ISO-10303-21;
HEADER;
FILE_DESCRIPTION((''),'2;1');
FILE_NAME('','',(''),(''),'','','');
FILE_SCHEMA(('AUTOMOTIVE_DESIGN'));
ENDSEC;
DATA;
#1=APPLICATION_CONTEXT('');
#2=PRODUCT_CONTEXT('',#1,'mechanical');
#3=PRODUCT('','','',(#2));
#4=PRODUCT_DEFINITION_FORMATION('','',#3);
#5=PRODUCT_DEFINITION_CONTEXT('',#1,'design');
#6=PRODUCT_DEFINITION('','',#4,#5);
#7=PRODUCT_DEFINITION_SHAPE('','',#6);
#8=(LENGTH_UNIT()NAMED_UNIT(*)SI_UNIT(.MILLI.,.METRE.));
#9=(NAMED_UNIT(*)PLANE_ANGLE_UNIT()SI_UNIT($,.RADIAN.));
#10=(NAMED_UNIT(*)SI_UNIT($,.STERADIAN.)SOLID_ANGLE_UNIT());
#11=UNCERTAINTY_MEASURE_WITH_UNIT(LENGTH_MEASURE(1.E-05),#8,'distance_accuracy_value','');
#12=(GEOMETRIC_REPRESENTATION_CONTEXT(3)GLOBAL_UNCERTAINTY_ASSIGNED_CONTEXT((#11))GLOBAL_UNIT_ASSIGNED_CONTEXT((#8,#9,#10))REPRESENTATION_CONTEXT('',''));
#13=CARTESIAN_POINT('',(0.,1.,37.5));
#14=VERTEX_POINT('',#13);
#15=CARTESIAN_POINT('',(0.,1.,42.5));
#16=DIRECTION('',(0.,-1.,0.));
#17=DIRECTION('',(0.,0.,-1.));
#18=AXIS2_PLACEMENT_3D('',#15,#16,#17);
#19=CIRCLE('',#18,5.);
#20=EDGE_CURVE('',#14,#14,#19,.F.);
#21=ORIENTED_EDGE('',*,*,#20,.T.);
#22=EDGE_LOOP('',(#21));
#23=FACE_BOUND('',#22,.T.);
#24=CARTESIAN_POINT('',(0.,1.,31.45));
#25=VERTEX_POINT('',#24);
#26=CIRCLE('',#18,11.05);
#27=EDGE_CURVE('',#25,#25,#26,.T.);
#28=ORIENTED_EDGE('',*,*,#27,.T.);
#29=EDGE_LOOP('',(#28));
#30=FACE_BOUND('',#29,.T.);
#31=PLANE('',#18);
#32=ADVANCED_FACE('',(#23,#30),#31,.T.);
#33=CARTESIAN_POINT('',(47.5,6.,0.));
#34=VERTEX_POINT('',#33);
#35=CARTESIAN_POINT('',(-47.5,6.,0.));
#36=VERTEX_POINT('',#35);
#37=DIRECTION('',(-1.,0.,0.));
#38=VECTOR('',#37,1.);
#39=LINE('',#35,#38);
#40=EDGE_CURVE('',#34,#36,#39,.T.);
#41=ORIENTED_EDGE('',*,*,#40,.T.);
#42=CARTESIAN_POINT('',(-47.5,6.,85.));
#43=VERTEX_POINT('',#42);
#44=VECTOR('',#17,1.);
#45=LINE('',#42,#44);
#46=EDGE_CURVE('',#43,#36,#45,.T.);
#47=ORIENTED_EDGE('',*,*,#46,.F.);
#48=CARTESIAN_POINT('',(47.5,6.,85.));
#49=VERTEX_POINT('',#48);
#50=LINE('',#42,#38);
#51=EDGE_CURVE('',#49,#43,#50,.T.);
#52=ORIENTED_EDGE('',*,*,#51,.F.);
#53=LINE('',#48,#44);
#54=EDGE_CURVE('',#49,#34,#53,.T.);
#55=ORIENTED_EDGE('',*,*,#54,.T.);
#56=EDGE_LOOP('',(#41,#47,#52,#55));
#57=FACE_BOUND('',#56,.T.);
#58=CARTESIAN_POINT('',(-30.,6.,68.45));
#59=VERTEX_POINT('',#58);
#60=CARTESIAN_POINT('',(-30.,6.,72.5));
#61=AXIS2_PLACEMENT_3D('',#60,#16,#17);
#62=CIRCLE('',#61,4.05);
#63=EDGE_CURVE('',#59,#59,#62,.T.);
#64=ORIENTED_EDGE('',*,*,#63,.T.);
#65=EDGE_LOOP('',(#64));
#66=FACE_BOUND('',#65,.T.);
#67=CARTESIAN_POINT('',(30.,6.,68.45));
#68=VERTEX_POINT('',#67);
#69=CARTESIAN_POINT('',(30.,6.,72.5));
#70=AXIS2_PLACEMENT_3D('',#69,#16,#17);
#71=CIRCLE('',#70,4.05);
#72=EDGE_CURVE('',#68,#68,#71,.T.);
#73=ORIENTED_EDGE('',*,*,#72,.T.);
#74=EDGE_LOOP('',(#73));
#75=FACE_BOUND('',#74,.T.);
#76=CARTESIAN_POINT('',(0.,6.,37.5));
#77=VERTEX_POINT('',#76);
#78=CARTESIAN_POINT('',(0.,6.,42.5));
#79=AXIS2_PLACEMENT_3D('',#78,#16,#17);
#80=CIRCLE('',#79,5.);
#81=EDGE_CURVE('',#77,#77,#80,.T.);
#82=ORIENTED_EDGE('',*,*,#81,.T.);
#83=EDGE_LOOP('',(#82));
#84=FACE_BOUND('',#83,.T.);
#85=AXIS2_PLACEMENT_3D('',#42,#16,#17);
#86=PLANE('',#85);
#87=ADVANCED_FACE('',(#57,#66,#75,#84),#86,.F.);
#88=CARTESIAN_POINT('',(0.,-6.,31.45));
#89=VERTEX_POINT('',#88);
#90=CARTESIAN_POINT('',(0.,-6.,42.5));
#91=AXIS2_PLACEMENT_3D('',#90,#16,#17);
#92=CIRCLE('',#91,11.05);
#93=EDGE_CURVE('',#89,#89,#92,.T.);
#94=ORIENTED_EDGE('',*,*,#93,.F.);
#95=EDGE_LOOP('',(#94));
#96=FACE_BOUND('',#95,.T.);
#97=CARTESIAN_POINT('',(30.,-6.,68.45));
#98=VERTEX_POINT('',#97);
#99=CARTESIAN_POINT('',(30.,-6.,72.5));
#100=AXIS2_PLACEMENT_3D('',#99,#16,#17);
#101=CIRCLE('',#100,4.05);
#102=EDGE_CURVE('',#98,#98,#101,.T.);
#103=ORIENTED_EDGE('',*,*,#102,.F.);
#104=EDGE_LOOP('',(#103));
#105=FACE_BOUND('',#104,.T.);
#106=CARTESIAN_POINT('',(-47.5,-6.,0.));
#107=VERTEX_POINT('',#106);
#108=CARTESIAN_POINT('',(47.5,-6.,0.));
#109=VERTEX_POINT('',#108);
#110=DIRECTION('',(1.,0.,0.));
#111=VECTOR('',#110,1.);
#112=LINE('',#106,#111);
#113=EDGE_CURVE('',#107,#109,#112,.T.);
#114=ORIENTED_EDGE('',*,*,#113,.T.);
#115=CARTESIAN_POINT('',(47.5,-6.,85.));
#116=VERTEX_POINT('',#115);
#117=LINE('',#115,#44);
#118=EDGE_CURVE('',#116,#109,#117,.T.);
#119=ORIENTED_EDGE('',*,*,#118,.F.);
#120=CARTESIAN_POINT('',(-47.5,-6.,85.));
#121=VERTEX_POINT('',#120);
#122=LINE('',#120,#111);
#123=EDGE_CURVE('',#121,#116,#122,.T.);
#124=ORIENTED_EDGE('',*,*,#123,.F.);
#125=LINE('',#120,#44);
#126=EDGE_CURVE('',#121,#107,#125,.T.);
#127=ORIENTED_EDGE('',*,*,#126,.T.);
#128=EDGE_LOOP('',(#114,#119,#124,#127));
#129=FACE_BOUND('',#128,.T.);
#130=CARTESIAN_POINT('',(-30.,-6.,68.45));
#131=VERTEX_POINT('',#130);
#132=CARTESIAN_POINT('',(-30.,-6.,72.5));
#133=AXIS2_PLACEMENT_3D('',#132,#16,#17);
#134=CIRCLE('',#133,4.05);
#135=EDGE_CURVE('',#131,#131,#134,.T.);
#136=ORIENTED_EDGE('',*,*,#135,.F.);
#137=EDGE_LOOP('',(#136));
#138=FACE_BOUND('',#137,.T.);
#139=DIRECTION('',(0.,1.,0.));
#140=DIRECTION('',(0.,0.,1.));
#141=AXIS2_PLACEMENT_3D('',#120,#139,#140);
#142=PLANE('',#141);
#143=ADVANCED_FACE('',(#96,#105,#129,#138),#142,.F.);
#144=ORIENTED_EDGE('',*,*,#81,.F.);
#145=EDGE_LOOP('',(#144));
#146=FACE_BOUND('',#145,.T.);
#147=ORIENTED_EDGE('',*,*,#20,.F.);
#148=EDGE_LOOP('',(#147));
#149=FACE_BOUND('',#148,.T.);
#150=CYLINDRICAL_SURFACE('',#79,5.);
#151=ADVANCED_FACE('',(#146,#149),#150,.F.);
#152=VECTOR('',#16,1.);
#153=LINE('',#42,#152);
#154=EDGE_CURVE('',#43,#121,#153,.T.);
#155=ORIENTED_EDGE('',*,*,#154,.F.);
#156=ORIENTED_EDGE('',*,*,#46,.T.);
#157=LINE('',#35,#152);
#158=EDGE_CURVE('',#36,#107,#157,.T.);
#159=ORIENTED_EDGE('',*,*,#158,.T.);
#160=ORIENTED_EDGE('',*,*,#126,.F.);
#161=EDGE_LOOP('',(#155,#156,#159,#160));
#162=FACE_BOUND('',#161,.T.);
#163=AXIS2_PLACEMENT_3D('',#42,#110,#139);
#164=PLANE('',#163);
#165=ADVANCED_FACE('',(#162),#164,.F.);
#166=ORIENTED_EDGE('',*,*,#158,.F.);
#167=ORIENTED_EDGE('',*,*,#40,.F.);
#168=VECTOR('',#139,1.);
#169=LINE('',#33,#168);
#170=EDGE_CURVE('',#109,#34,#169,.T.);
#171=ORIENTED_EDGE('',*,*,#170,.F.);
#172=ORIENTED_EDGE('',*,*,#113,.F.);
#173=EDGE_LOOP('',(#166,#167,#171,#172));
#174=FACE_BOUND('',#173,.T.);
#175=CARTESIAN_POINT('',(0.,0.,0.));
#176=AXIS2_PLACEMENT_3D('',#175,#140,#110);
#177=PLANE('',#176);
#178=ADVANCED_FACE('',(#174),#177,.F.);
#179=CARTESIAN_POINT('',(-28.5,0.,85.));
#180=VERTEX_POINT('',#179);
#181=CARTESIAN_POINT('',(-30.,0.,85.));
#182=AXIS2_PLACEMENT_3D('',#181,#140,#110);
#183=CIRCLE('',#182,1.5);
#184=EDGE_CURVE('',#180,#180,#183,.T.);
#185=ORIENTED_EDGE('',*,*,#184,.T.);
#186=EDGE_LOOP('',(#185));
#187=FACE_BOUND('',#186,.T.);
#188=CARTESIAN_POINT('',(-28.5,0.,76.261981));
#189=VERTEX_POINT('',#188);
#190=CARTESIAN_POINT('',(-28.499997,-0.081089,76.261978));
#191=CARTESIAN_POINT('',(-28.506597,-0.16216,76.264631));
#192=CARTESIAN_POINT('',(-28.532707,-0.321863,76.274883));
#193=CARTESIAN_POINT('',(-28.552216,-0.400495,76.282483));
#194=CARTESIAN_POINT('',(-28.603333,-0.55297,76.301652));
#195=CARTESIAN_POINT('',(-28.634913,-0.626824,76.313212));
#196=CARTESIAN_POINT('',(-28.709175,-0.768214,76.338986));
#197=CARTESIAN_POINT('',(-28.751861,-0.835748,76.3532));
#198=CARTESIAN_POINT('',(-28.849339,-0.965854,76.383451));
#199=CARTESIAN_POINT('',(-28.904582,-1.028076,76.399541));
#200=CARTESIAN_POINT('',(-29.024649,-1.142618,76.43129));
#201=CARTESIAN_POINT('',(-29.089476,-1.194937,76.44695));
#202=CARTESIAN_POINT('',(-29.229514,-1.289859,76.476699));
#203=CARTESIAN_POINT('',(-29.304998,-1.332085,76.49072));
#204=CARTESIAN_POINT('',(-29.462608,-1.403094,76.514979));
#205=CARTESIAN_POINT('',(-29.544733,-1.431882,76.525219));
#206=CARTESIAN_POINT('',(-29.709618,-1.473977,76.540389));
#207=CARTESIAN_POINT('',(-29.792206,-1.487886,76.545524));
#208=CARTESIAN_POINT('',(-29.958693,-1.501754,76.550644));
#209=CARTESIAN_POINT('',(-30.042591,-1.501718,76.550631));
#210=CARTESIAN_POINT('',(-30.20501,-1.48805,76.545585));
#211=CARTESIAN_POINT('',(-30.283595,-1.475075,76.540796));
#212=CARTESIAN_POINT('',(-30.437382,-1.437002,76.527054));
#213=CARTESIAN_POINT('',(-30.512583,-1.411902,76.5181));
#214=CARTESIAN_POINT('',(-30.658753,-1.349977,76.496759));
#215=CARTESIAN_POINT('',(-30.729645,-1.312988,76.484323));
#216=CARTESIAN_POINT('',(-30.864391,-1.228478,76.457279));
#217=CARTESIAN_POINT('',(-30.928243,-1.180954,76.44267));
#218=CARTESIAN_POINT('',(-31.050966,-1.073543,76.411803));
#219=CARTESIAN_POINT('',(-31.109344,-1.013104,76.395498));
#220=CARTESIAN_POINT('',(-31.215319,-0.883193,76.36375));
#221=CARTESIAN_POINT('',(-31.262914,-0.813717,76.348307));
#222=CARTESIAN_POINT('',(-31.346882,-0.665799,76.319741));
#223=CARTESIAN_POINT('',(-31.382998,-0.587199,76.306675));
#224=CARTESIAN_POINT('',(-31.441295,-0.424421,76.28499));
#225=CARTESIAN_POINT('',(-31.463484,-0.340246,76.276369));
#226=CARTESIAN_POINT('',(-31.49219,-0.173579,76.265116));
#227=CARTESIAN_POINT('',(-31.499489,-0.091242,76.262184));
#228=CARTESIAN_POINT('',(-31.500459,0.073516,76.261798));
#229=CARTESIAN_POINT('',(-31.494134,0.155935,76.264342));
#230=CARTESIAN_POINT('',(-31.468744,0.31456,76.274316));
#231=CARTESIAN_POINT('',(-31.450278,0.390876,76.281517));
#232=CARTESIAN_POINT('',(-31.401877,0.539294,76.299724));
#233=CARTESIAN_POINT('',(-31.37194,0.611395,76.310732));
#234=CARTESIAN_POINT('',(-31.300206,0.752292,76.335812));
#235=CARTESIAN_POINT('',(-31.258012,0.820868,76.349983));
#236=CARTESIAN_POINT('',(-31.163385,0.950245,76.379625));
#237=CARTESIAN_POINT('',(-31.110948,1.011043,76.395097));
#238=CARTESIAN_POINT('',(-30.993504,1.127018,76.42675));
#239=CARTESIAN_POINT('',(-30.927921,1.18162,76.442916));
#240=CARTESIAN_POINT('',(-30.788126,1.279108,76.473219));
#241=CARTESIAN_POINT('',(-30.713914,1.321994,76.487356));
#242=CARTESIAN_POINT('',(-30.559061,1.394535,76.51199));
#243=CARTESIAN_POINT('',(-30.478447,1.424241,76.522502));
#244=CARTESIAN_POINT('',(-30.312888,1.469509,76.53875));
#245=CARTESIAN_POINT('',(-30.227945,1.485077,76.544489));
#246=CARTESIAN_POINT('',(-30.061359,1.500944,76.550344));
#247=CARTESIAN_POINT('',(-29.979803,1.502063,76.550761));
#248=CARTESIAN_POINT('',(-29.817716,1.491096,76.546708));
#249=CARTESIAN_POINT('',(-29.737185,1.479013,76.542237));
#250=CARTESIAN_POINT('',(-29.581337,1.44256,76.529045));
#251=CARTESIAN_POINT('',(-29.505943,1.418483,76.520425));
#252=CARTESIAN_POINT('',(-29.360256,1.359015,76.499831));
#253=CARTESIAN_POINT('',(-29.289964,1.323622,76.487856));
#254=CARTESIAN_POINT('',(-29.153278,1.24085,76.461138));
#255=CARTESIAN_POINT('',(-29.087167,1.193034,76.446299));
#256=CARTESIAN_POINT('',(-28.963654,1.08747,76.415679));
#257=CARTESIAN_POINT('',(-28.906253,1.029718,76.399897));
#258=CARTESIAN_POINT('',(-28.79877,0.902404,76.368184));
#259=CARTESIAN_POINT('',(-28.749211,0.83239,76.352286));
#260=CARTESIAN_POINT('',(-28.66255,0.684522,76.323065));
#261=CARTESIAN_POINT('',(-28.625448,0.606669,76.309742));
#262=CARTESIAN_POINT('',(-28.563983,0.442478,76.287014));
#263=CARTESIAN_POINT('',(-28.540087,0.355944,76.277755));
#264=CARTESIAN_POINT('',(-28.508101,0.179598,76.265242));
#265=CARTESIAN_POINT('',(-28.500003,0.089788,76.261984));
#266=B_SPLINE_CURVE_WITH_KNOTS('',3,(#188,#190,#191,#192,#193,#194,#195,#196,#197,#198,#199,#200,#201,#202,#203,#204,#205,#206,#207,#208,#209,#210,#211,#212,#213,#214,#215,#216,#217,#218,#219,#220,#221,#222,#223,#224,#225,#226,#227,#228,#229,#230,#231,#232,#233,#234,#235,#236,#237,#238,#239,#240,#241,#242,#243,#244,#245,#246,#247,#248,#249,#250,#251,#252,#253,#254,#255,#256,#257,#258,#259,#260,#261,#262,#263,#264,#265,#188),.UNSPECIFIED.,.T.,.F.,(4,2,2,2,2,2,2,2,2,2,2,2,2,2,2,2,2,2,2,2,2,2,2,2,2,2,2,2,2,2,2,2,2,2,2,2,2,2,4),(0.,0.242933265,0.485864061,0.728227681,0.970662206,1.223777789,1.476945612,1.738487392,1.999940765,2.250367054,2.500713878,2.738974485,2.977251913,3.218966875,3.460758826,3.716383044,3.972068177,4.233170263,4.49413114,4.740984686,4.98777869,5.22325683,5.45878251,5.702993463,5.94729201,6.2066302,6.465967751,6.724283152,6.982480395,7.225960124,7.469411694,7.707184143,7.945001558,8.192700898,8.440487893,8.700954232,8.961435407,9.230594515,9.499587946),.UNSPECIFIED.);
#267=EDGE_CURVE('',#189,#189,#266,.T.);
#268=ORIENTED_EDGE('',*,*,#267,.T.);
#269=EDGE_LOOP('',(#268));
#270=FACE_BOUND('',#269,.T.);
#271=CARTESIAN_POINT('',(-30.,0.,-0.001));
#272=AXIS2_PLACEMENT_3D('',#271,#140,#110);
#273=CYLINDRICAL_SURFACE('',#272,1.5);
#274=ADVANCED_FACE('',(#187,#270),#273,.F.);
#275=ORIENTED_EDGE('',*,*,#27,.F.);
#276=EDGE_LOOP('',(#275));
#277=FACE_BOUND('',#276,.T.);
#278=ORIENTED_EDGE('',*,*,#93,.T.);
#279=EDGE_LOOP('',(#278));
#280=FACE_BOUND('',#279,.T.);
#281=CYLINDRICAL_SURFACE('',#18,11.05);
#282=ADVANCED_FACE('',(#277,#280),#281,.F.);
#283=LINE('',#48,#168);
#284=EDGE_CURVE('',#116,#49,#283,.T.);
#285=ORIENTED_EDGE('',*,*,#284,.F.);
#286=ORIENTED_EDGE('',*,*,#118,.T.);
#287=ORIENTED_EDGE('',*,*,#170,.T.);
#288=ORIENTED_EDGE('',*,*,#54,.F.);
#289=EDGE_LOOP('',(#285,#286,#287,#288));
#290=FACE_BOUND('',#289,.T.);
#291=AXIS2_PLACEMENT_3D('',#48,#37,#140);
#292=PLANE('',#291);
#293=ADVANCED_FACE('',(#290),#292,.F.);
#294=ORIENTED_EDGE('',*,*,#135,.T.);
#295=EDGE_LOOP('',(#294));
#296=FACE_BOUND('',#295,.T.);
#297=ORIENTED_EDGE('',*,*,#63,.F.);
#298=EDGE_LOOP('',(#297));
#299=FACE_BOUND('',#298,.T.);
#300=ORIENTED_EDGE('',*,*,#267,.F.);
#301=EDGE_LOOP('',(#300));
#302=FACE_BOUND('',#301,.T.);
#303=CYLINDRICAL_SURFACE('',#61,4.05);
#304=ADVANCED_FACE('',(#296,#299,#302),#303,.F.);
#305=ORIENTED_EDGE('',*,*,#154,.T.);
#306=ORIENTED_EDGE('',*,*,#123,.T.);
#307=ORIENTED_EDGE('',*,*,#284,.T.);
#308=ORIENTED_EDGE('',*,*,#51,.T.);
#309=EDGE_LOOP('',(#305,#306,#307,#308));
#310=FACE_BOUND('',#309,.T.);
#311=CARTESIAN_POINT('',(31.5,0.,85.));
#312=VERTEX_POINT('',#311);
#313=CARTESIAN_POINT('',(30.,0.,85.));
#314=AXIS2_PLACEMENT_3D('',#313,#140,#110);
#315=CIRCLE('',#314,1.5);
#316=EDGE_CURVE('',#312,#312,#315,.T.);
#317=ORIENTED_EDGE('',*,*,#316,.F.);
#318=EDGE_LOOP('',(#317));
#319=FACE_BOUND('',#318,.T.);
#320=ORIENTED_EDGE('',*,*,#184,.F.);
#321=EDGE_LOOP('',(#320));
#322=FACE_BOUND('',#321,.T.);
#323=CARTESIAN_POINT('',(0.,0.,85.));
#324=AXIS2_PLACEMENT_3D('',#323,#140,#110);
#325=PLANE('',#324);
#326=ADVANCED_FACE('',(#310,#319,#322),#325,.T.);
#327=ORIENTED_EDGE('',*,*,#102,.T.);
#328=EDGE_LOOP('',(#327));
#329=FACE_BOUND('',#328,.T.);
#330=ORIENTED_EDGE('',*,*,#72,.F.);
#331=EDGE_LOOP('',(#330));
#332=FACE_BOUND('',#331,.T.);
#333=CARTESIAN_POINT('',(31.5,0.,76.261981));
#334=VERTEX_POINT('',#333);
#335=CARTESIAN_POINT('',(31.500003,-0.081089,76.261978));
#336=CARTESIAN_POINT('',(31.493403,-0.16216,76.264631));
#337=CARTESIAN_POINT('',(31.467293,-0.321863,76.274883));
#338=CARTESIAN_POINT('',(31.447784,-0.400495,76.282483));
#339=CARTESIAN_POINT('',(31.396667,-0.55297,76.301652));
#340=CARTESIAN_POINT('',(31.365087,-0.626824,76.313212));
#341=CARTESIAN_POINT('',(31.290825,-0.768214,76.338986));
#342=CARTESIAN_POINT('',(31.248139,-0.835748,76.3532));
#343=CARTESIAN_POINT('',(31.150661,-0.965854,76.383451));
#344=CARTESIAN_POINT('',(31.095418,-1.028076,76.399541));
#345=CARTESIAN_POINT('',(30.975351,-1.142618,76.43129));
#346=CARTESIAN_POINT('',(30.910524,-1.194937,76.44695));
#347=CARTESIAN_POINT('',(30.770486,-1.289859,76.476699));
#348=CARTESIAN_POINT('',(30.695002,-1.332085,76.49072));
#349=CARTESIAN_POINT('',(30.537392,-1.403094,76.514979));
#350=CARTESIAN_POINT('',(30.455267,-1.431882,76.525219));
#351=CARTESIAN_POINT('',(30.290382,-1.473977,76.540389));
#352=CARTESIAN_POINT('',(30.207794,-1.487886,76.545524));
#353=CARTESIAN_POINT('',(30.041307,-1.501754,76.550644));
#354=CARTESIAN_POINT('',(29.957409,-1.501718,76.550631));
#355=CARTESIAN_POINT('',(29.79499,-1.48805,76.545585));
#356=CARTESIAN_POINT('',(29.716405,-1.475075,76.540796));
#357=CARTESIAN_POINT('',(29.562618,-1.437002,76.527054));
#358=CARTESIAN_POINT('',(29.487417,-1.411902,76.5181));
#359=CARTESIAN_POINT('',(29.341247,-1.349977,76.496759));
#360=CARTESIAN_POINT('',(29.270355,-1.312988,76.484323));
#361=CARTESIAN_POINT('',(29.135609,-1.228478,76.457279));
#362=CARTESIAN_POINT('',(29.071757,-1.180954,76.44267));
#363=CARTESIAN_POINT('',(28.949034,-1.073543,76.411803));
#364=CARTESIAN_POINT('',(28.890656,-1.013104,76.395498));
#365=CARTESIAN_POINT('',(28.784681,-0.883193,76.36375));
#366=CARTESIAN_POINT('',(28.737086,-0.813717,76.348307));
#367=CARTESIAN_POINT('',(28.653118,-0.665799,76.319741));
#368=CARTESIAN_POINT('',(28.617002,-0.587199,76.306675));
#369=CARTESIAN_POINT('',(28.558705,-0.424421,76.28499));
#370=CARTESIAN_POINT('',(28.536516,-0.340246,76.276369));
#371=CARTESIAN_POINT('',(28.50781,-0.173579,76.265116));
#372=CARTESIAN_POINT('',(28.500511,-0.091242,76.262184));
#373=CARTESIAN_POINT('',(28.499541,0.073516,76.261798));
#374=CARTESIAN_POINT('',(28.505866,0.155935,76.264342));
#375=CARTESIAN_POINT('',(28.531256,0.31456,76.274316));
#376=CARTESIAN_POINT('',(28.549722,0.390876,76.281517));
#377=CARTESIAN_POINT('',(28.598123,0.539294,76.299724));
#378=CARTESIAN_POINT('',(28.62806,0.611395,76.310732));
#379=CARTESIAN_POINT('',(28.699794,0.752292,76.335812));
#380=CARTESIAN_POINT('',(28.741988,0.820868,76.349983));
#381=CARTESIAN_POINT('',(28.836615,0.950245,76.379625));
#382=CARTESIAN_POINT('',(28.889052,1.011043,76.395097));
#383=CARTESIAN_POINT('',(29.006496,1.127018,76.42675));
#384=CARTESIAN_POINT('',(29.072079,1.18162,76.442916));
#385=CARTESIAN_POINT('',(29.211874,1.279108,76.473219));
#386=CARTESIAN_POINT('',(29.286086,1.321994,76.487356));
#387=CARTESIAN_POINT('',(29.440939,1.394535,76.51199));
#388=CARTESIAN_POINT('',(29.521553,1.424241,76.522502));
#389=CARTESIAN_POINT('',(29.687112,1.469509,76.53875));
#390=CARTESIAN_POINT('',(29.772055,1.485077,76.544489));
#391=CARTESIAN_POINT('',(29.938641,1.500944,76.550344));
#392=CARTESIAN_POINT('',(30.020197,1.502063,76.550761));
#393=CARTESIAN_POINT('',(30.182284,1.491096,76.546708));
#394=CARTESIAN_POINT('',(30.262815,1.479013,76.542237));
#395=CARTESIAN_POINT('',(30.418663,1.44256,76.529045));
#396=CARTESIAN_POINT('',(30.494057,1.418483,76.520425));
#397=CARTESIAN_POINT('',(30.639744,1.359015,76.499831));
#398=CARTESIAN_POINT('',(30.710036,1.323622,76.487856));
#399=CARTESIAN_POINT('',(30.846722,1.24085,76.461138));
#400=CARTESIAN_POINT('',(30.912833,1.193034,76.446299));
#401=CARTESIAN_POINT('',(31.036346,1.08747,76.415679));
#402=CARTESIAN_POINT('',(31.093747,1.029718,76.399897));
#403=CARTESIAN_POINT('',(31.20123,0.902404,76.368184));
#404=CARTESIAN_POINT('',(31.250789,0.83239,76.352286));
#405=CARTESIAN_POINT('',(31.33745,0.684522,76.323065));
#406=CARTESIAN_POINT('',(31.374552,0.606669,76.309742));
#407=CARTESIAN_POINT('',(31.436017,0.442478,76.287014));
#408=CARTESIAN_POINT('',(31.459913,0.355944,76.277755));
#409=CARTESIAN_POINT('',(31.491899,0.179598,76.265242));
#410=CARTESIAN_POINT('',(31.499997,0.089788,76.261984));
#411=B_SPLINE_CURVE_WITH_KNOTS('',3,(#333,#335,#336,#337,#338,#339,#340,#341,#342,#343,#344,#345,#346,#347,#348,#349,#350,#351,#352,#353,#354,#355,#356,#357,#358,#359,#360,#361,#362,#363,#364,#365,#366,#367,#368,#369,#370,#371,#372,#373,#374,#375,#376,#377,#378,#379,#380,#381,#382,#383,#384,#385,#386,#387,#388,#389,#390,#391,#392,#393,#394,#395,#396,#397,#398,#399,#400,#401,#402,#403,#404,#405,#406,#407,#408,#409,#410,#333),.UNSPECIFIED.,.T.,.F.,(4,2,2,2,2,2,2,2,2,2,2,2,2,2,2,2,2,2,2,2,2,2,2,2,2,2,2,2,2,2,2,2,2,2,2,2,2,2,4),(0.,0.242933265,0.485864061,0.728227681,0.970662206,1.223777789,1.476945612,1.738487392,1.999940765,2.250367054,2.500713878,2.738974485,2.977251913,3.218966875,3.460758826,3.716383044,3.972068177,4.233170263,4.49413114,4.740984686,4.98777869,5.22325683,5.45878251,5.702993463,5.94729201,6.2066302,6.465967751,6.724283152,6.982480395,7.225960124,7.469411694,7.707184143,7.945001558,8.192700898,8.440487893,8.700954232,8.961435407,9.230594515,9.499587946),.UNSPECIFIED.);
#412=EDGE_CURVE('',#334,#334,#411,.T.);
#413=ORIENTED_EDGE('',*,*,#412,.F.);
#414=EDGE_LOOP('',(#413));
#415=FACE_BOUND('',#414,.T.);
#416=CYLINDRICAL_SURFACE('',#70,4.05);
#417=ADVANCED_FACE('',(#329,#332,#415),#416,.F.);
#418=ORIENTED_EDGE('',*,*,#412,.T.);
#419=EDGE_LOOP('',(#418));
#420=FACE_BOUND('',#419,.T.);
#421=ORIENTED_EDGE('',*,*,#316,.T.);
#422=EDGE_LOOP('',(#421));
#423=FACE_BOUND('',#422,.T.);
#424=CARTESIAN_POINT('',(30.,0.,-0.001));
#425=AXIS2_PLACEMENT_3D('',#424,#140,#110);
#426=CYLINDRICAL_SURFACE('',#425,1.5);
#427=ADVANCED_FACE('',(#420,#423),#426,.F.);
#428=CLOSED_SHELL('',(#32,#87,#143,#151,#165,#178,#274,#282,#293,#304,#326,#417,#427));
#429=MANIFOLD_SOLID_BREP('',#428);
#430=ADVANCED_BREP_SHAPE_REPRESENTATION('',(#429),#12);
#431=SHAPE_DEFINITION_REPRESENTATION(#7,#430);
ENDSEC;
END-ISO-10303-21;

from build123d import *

# Parameters (mm, degrees)
SKETCH1_W           = 95
SKETCH1_H           = 12
BOSS_EXTRUDE1_DEPTH = 85
SKETCH2_R           = 4.05
SKETCH2_R_2         = 5
CUT_EXTRUDE1_DEPTH  = 13
SKETCH3_R           = 11.05
CUT_EXTRUDE2_DEPTH  = 7
CUT_EXTRUDE3_REACH  = 87
SKETCH4_R           = 1.5


with BuildPart() as part:
    # Sketch1 → Boss-Extrude1 (new body)
    with BuildSketch(Plane.XY):
        Rectangle(SKETCH1_W, SKETCH1_H)
    extrude(amount=BOSS_EXTRUDE1_DEPTH)

    # Sketch2 → Cut-Extrude1 (cut, through all)
    with BuildSketch(Plane.XZ.offset(6)):
        with Locations(Location((-30, 72.5, 0), (0, 0, 270))):  # turned: the seam where the file's is
            Circle(SKETCH2_R)
        with Locations(Location((30, 72.5, 0), (0, 0, 270))):  # turned: the seam where the file's is
            Circle(SKETCH2_R)
        with Locations(Location((0, 42.5, 0), (0, 0, 270))):  # turned: the seam where the file's is
            Circle(SKETCH2_R_2)
    extrude(amount=-CUT_EXTRUDE1_DEPTH, mode=Mode.SUBTRACT)

    # Sketch3 → Cut-Extrude2 (cut)
    with BuildSketch(Plane.XZ.offset(6)):
        with Locations(Location((0, 42.5, 0), (0, 0, 270))):  # turned: the seam where the file's is
            Circle(SKETCH3_R)
    extrude(amount=-CUT_EXTRUDE2_DEPTH, mode=Mode.SUBTRACT)

    # Sketch4 → Cut-Extrude3 (cut, up to next)
    with BuildSketch(Plane.XY.offset(85), mode=Mode.PRIVATE) as cut_extrude3_sk1:
        with Locations((30, 0)):
            Circle(SKETCH4_R)
    cut_extrude3_tool1 = extrude(cut_extrude3_sk1.sketch, amount=-CUT_EXTRUDE3_REACH, mode=Mode.PRIVATE) & part.part
    add(cut_extrude3_tool1.solids().sort_by_distance((30, 0, 85))[0], mode=Mode.SUBTRACT)
    # Sketch4 → Cut-Extrude3 (cut, up to next)
    with BuildSketch(Plane.XY.offset(85), mode=Mode.PRIVATE) as cut_extrude3_sk2:
        with Locations((-30, 0)):
            Circle(SKETCH4_R)
    cut_extrude3_tool2 = extrude(cut_extrude3_sk2.sketch, amount=-CUT_EXTRUDE3_REACH, mode=Mode.PRIVATE) & part.part
    add(cut_extrude3_tool2.solids().sort_by_distance((-30, 0, 85))[0], mode=Mode.SUBTRACT)


solid = part.part
